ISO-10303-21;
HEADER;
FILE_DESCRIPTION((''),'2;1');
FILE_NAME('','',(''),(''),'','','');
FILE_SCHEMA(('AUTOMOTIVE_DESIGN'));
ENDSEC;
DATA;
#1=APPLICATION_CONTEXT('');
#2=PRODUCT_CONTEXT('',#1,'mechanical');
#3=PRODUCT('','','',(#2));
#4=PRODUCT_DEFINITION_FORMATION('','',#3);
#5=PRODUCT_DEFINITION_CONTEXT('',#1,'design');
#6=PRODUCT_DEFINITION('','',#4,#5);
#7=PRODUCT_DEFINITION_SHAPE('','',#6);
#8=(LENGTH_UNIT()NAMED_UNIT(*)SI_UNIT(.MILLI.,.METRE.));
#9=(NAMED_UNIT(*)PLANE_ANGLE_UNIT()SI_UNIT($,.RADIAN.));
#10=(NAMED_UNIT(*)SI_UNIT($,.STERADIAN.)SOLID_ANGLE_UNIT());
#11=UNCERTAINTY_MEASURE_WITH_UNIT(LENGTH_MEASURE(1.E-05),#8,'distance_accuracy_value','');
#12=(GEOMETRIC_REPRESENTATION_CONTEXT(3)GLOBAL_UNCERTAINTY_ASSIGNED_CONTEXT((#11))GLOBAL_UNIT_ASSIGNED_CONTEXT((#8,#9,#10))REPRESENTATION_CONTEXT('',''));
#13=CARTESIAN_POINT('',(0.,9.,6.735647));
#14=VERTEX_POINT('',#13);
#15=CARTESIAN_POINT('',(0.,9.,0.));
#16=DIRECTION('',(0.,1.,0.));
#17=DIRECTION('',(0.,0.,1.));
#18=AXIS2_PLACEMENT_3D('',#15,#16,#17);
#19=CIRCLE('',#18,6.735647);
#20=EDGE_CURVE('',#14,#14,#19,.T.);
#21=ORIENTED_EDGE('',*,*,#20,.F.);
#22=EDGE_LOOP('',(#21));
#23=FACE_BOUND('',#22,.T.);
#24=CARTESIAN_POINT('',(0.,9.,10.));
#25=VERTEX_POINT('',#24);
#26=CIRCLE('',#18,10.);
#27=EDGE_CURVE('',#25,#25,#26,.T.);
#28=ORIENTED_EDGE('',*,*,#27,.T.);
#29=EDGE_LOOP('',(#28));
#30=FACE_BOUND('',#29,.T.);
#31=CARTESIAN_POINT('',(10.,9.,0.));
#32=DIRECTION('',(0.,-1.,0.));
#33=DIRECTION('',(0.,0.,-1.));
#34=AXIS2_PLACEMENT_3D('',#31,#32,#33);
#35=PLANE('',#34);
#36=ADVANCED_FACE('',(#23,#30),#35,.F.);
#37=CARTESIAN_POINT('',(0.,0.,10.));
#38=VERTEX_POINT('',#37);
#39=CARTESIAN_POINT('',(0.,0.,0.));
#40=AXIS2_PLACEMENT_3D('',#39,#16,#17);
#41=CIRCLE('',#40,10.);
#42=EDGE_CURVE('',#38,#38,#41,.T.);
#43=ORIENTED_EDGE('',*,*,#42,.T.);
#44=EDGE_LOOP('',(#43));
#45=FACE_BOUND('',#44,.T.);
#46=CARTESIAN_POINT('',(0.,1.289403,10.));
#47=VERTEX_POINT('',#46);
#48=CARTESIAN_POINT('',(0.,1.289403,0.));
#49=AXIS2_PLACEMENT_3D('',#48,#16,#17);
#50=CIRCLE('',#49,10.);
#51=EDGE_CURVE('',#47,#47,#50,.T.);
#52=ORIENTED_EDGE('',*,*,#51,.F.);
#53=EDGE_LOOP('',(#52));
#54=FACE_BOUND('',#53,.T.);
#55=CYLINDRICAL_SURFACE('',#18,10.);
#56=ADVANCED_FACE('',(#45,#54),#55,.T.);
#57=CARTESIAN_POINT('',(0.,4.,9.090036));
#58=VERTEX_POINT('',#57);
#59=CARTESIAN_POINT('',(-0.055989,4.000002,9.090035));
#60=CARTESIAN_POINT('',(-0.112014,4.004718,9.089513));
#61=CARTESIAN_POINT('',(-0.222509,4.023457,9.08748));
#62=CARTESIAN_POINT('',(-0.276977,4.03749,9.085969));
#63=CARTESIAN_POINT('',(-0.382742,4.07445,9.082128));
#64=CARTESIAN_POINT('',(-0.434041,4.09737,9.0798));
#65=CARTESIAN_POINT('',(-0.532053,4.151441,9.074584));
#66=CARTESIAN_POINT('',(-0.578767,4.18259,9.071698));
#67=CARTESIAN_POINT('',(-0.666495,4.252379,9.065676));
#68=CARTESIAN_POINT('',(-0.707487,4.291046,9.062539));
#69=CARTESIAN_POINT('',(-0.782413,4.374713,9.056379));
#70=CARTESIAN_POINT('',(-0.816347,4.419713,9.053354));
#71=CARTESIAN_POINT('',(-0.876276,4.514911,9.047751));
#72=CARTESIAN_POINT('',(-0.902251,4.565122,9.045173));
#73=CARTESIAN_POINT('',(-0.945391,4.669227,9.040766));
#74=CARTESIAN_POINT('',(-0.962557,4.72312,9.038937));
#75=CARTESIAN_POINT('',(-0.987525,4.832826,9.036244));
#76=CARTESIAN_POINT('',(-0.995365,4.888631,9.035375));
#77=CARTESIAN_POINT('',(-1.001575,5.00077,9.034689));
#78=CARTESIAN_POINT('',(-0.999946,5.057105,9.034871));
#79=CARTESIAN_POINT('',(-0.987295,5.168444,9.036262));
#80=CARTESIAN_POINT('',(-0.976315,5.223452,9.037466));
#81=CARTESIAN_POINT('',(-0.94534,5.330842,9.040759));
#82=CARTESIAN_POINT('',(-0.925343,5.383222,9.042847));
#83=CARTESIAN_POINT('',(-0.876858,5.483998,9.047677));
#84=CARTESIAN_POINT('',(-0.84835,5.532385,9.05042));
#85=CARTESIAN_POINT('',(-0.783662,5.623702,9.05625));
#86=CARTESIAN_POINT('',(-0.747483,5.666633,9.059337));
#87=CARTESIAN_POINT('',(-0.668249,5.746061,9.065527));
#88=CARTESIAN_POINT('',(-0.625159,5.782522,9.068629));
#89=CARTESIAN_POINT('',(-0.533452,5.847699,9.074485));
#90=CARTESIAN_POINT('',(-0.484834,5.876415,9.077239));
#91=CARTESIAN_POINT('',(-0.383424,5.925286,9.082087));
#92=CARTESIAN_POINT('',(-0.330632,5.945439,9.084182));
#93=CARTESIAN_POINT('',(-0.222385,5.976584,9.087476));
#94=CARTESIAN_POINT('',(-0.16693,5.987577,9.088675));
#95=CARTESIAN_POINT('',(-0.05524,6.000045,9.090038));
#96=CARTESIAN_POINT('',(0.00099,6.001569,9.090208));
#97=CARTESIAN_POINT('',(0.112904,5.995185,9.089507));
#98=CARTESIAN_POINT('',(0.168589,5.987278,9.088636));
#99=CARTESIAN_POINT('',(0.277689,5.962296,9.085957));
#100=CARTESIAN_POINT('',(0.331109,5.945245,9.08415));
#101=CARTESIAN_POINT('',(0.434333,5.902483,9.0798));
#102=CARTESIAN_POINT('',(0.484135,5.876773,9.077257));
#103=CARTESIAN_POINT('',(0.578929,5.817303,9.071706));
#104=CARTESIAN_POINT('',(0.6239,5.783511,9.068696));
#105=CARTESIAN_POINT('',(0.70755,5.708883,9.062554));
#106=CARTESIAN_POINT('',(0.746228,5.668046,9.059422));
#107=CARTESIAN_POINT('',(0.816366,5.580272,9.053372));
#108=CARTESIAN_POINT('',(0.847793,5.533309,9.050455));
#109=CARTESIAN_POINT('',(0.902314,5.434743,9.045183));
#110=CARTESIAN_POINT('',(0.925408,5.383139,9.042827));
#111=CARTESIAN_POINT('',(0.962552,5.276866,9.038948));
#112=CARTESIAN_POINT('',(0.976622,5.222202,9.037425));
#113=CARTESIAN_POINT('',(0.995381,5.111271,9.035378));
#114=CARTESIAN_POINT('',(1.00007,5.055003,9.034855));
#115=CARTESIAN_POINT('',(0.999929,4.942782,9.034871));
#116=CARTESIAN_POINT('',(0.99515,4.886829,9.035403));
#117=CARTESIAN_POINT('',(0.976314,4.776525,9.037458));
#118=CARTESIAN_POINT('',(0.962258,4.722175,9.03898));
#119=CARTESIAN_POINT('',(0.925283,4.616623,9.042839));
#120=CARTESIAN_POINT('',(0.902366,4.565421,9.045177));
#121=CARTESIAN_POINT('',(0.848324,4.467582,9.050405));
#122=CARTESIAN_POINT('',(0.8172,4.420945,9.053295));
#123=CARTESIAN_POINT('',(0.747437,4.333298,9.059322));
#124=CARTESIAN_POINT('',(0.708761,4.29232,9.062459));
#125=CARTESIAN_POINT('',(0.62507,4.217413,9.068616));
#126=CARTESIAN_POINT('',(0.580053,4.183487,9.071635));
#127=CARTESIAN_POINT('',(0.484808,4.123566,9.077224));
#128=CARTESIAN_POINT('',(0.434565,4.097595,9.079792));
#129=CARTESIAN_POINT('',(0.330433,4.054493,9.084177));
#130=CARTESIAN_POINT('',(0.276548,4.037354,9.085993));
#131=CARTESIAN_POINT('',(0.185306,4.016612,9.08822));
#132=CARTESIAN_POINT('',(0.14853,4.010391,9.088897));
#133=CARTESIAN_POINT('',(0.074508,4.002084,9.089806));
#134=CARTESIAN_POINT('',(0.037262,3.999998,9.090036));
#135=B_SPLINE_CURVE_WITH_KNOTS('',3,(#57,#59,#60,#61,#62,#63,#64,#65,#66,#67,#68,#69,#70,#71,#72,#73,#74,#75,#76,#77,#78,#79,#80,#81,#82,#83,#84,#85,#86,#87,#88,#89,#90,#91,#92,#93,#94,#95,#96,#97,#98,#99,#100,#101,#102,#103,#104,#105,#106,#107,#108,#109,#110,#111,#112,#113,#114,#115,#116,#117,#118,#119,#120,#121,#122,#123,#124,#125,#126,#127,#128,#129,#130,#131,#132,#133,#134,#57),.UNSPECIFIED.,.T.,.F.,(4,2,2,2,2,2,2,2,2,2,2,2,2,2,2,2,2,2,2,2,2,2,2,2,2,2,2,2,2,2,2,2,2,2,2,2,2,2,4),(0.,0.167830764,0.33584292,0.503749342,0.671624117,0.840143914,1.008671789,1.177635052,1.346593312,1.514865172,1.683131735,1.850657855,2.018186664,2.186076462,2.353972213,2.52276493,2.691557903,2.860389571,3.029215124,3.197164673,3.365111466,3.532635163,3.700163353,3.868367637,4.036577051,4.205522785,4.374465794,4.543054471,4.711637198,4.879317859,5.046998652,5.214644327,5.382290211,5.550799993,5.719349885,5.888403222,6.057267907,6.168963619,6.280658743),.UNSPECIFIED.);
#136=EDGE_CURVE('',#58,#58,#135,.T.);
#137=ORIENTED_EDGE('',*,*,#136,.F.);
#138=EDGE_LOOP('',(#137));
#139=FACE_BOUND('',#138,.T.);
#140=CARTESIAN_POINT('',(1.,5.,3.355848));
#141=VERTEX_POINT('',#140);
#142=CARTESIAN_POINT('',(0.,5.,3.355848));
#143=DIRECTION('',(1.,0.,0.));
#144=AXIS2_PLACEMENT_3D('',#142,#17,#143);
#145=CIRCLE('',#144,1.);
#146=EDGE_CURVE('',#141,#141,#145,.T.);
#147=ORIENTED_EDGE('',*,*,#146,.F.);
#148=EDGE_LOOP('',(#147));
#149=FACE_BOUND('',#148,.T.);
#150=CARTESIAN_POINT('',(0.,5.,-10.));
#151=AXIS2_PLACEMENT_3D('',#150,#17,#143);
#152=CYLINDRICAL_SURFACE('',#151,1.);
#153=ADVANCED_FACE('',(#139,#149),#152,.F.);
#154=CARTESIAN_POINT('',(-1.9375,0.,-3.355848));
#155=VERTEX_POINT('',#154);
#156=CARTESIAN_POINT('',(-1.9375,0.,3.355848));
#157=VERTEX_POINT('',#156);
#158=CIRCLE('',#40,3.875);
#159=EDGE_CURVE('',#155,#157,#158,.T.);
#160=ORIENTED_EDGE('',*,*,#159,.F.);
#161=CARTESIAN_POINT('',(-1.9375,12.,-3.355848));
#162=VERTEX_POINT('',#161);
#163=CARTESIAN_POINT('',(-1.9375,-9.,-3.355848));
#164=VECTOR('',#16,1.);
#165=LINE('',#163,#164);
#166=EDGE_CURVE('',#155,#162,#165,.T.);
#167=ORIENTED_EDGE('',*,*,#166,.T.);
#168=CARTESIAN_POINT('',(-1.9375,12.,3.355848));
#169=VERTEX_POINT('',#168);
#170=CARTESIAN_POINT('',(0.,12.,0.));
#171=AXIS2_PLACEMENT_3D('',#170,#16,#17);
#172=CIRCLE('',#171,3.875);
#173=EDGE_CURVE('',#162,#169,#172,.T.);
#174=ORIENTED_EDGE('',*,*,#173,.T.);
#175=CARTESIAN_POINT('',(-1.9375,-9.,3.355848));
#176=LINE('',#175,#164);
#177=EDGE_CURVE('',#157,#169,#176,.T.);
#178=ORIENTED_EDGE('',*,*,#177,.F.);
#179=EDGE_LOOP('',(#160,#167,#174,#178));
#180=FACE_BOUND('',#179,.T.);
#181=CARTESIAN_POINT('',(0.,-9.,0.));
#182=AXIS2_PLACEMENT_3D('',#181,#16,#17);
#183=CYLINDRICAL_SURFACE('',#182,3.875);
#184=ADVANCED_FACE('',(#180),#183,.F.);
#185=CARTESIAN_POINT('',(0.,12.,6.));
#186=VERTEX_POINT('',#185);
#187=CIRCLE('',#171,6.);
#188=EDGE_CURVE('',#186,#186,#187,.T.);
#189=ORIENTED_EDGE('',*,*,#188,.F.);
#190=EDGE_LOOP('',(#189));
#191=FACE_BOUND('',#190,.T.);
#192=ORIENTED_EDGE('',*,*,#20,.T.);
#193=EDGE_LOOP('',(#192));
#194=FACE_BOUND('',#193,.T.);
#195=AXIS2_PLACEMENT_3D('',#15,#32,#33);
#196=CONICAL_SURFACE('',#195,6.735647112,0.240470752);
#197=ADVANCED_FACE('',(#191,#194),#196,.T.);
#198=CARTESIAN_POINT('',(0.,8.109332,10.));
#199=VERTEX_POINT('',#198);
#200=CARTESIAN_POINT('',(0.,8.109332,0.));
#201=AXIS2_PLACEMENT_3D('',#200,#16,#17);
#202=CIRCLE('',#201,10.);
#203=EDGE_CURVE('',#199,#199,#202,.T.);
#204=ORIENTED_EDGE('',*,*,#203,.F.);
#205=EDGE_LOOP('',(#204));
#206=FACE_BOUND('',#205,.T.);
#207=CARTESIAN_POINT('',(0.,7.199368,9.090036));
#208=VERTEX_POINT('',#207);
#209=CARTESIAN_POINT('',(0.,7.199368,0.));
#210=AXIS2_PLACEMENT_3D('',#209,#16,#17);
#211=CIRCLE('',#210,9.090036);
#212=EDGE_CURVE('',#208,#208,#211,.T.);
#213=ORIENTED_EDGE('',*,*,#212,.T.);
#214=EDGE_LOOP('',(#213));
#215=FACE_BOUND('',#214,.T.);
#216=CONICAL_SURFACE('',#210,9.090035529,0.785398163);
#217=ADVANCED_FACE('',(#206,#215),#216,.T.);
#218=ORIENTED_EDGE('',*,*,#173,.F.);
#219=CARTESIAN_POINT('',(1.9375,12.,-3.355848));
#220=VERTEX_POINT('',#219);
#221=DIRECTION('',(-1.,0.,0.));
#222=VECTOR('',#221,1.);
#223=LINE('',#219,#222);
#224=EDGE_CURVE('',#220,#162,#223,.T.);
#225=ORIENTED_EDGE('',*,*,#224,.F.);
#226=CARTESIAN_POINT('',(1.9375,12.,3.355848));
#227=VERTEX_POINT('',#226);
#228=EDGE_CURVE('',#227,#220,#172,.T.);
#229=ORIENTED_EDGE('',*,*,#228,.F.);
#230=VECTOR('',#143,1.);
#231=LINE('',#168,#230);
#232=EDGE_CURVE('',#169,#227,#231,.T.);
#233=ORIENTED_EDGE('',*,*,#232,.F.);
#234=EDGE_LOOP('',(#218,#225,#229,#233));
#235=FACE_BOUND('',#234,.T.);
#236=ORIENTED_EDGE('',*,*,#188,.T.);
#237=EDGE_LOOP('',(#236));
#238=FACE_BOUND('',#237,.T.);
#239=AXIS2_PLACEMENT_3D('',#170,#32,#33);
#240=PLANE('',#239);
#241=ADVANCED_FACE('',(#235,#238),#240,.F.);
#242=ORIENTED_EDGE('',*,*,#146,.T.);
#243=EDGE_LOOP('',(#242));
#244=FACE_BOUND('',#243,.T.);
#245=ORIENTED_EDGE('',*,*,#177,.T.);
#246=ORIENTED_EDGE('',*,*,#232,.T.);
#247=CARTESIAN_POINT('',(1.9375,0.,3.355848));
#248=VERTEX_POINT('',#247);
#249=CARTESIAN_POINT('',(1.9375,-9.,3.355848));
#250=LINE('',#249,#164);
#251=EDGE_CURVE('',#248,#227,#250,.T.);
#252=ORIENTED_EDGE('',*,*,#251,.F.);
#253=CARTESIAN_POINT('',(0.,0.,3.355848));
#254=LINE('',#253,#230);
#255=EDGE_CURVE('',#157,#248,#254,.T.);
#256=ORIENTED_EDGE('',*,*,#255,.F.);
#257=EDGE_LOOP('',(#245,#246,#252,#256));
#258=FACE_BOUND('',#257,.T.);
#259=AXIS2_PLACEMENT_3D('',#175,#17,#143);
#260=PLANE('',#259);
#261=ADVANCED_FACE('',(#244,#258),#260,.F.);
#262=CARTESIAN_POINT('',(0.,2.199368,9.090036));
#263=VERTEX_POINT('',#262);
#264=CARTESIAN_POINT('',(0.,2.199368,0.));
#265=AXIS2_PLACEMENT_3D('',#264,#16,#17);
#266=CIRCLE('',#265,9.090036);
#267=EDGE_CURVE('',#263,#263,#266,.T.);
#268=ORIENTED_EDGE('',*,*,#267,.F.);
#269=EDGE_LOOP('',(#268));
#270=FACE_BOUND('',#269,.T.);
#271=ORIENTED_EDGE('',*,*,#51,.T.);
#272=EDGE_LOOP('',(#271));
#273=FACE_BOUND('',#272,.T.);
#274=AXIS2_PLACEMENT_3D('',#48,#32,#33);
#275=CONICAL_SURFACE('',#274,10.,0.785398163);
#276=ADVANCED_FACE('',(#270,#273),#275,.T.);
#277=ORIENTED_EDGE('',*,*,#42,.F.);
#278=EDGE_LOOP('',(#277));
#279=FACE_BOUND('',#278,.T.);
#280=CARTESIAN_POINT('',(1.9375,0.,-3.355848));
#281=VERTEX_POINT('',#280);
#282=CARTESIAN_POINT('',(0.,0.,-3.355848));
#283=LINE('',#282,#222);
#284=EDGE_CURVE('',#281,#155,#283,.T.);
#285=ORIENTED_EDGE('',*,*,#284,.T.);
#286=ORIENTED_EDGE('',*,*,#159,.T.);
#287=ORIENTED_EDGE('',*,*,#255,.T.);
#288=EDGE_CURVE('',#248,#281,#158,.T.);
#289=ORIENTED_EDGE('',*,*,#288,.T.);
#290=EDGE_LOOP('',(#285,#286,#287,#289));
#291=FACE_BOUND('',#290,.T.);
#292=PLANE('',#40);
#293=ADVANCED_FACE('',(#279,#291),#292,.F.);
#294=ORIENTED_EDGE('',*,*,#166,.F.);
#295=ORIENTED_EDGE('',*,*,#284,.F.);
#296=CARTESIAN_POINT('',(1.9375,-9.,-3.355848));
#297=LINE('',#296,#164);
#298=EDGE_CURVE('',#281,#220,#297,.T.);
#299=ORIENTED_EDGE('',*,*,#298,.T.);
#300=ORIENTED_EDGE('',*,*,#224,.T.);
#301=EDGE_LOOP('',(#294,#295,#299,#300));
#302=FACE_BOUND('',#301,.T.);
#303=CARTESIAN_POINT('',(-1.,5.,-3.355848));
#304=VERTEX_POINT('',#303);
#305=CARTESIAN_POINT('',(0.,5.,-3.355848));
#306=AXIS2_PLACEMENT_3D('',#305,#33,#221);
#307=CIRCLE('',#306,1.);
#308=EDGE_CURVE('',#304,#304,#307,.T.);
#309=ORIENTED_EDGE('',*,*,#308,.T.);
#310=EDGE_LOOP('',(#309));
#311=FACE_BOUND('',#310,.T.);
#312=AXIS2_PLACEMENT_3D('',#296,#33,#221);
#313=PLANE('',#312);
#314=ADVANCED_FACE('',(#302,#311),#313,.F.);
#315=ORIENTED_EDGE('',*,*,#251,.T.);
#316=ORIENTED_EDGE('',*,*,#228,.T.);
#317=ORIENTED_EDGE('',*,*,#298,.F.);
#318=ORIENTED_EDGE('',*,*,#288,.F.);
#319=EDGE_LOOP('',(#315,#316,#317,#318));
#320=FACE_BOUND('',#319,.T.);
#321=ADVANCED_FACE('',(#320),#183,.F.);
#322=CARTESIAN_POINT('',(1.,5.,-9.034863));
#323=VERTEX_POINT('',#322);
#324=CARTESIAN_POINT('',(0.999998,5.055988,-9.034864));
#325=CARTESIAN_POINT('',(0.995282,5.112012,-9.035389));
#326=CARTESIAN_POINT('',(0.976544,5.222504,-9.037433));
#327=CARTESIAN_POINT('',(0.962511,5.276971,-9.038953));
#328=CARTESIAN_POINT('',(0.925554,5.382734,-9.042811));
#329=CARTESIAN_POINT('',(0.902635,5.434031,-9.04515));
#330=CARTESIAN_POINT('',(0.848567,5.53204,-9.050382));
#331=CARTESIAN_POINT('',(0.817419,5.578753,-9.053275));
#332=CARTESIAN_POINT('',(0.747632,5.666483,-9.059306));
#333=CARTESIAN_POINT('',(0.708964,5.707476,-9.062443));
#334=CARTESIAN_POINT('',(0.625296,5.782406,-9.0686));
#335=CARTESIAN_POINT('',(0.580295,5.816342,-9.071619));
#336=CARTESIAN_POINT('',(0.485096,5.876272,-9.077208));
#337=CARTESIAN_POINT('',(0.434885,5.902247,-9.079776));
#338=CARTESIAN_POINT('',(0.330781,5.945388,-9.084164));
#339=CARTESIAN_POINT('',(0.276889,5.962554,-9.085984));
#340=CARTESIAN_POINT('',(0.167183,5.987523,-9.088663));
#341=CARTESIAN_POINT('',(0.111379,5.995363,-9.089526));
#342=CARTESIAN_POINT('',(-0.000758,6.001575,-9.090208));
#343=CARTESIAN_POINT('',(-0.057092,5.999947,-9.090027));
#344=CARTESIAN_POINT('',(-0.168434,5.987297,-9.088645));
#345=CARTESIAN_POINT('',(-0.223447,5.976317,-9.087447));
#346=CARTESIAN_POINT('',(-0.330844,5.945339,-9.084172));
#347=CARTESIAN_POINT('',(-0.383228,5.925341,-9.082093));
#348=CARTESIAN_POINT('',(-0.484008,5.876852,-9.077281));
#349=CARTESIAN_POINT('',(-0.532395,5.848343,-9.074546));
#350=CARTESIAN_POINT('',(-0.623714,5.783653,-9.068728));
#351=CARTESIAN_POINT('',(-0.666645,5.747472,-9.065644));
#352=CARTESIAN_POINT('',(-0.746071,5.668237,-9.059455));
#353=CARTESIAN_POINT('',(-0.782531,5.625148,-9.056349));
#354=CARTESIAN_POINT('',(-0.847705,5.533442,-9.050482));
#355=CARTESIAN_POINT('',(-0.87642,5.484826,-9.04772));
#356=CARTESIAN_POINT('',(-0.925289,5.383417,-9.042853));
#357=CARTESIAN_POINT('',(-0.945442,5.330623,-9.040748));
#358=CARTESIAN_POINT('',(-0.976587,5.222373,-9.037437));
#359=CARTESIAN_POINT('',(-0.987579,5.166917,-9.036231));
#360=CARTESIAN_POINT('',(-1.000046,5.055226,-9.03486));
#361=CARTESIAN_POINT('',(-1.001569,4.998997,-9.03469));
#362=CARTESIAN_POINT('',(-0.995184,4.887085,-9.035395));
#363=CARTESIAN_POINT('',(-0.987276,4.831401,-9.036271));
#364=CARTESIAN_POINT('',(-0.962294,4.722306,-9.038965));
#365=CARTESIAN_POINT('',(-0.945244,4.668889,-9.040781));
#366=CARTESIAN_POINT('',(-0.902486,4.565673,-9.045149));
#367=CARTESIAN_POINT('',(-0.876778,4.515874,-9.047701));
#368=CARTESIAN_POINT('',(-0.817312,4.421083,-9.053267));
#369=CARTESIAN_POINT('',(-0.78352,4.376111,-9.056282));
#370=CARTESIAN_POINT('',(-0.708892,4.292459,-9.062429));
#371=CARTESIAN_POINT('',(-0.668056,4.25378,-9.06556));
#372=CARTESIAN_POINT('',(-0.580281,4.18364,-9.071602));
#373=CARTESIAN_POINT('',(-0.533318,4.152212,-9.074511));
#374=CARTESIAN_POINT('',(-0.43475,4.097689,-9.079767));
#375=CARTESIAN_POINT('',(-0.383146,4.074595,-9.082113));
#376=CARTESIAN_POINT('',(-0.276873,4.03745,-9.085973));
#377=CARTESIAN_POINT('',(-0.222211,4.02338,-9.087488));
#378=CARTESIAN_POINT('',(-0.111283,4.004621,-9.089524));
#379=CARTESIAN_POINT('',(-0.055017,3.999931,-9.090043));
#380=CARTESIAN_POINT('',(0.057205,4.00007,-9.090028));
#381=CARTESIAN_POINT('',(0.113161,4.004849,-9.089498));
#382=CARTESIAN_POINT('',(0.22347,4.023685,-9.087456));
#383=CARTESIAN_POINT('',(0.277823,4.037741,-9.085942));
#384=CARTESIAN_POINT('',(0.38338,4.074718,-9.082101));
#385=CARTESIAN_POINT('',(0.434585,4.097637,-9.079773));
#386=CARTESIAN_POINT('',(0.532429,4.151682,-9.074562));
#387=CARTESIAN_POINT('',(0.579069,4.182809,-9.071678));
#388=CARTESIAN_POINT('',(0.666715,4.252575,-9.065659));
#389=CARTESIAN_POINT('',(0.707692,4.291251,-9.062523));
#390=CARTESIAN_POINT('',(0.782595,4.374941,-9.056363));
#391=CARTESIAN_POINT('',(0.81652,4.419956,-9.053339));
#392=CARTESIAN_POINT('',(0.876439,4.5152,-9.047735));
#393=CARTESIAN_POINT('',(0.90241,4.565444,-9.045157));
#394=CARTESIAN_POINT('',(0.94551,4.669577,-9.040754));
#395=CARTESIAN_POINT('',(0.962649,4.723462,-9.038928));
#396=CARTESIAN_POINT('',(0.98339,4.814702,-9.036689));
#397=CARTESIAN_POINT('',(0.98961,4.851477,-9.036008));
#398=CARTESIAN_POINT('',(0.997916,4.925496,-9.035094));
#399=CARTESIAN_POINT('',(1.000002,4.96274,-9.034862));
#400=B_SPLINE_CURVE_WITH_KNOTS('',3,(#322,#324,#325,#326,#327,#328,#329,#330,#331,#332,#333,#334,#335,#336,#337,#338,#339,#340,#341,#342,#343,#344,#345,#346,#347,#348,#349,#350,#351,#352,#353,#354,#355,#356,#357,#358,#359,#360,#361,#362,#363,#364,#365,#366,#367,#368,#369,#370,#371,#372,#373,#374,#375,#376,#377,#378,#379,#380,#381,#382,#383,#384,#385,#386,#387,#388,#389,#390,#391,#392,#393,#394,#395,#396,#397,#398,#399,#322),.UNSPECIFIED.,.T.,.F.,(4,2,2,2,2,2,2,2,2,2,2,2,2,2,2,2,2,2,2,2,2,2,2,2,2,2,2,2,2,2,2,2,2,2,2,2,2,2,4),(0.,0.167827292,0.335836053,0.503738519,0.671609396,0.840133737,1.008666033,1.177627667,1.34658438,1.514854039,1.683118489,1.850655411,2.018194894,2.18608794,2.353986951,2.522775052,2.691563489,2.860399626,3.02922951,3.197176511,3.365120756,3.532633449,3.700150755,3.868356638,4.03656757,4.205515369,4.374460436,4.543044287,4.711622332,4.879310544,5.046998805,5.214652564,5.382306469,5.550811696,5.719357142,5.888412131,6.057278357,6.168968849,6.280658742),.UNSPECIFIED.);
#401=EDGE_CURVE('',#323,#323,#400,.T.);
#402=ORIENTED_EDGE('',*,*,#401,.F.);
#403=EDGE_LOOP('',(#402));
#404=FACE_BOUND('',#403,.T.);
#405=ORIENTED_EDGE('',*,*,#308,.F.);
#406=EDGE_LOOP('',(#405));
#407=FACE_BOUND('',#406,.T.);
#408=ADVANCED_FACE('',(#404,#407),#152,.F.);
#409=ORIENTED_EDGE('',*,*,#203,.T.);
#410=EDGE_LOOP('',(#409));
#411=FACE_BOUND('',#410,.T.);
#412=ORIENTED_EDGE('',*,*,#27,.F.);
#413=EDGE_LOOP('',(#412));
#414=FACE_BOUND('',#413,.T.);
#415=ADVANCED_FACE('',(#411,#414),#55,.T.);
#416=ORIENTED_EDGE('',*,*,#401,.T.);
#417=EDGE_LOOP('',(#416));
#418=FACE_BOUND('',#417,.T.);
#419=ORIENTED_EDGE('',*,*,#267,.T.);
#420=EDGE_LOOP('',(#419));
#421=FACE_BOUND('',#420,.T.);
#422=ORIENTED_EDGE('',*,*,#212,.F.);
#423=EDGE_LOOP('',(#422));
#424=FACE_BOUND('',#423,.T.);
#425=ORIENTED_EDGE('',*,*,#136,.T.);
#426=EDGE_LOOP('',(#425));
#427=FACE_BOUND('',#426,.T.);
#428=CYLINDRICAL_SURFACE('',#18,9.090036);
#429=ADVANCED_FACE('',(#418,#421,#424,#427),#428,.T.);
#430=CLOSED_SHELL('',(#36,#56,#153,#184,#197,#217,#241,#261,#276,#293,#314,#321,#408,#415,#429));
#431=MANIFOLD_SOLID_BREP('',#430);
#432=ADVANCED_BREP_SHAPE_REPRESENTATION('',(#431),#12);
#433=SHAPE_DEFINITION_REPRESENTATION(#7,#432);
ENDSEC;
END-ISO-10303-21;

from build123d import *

# Parameters (mm, degrees)
CUT_EXTRUDE1_DEPTH      = 21
CUT_EXTRUDE2_DEPTH      = 19.547236991
CUT_EXTRUDE2_DEPTH_BACK = 19.547236991
SKETCH6_R               = 1


with BuildPart() as part:
    # Sketch4 → Revolve1 (revolve)
    with BuildSketch(Plane.XY, mode=Mode.PRIVATE) as revolve1_sk:
        Polygon((0, 0), (10, 0), (10, 1.289403445), (9.090035529, 2.199367917), (9.090035529, 7.199367917), (10, 8.109332388), (10, 9), (6.735647112, 9), (6, 12), (0, 12), (0, 9), align=None)
    revolve(revolve1_sk.sketch.rotate(Axis((0, 9, 0), (0, -1, 0)), 90), axis=Axis((0, 9, 0), (0, -1, 0)))

    # Sketch5 → Cut-Extrude1 (cut)
    with BuildSketch(Plane(origin=(0, 12, 0), x_dir=(1, 0, 0), z_dir=(0, 1, 0))):
        with BuildLine():
            Line((1.9375, 3.35584844), (-1.9375, 3.35584844))
            ThreePointArc((-1.9375, 3.35584844), (-3.875, 0), (-1.9375, -3.35584844))
            Line((-1.9375, -3.35584844), (1.9375, -3.35584844))
            ThreePointArc((1.9375, -3.35584844), (3.875, 0), (1.9375, 3.35584844))
        make_face()
    extrude(amount=-CUT_EXTRUDE1_DEPTH, mode=Mode.SUBTRACT)

    # Sketch6 → Cut-Extrude2 (cut, two sides: drawn at the far end of the back side and taken through both)
    with BuildSketch(Plane.XY.offset(-CUT_EXTRUDE2_DEPTH_BACK)):
        with Locations((0, 5)):
            Circle(SKETCH6_R)
    extrude(amount=CUT_EXTRUDE2_DEPTH + CUT_EXTRUDE2_DEPTH_BACK, mode=Mode.SUBTRACT)


solid = part.part
